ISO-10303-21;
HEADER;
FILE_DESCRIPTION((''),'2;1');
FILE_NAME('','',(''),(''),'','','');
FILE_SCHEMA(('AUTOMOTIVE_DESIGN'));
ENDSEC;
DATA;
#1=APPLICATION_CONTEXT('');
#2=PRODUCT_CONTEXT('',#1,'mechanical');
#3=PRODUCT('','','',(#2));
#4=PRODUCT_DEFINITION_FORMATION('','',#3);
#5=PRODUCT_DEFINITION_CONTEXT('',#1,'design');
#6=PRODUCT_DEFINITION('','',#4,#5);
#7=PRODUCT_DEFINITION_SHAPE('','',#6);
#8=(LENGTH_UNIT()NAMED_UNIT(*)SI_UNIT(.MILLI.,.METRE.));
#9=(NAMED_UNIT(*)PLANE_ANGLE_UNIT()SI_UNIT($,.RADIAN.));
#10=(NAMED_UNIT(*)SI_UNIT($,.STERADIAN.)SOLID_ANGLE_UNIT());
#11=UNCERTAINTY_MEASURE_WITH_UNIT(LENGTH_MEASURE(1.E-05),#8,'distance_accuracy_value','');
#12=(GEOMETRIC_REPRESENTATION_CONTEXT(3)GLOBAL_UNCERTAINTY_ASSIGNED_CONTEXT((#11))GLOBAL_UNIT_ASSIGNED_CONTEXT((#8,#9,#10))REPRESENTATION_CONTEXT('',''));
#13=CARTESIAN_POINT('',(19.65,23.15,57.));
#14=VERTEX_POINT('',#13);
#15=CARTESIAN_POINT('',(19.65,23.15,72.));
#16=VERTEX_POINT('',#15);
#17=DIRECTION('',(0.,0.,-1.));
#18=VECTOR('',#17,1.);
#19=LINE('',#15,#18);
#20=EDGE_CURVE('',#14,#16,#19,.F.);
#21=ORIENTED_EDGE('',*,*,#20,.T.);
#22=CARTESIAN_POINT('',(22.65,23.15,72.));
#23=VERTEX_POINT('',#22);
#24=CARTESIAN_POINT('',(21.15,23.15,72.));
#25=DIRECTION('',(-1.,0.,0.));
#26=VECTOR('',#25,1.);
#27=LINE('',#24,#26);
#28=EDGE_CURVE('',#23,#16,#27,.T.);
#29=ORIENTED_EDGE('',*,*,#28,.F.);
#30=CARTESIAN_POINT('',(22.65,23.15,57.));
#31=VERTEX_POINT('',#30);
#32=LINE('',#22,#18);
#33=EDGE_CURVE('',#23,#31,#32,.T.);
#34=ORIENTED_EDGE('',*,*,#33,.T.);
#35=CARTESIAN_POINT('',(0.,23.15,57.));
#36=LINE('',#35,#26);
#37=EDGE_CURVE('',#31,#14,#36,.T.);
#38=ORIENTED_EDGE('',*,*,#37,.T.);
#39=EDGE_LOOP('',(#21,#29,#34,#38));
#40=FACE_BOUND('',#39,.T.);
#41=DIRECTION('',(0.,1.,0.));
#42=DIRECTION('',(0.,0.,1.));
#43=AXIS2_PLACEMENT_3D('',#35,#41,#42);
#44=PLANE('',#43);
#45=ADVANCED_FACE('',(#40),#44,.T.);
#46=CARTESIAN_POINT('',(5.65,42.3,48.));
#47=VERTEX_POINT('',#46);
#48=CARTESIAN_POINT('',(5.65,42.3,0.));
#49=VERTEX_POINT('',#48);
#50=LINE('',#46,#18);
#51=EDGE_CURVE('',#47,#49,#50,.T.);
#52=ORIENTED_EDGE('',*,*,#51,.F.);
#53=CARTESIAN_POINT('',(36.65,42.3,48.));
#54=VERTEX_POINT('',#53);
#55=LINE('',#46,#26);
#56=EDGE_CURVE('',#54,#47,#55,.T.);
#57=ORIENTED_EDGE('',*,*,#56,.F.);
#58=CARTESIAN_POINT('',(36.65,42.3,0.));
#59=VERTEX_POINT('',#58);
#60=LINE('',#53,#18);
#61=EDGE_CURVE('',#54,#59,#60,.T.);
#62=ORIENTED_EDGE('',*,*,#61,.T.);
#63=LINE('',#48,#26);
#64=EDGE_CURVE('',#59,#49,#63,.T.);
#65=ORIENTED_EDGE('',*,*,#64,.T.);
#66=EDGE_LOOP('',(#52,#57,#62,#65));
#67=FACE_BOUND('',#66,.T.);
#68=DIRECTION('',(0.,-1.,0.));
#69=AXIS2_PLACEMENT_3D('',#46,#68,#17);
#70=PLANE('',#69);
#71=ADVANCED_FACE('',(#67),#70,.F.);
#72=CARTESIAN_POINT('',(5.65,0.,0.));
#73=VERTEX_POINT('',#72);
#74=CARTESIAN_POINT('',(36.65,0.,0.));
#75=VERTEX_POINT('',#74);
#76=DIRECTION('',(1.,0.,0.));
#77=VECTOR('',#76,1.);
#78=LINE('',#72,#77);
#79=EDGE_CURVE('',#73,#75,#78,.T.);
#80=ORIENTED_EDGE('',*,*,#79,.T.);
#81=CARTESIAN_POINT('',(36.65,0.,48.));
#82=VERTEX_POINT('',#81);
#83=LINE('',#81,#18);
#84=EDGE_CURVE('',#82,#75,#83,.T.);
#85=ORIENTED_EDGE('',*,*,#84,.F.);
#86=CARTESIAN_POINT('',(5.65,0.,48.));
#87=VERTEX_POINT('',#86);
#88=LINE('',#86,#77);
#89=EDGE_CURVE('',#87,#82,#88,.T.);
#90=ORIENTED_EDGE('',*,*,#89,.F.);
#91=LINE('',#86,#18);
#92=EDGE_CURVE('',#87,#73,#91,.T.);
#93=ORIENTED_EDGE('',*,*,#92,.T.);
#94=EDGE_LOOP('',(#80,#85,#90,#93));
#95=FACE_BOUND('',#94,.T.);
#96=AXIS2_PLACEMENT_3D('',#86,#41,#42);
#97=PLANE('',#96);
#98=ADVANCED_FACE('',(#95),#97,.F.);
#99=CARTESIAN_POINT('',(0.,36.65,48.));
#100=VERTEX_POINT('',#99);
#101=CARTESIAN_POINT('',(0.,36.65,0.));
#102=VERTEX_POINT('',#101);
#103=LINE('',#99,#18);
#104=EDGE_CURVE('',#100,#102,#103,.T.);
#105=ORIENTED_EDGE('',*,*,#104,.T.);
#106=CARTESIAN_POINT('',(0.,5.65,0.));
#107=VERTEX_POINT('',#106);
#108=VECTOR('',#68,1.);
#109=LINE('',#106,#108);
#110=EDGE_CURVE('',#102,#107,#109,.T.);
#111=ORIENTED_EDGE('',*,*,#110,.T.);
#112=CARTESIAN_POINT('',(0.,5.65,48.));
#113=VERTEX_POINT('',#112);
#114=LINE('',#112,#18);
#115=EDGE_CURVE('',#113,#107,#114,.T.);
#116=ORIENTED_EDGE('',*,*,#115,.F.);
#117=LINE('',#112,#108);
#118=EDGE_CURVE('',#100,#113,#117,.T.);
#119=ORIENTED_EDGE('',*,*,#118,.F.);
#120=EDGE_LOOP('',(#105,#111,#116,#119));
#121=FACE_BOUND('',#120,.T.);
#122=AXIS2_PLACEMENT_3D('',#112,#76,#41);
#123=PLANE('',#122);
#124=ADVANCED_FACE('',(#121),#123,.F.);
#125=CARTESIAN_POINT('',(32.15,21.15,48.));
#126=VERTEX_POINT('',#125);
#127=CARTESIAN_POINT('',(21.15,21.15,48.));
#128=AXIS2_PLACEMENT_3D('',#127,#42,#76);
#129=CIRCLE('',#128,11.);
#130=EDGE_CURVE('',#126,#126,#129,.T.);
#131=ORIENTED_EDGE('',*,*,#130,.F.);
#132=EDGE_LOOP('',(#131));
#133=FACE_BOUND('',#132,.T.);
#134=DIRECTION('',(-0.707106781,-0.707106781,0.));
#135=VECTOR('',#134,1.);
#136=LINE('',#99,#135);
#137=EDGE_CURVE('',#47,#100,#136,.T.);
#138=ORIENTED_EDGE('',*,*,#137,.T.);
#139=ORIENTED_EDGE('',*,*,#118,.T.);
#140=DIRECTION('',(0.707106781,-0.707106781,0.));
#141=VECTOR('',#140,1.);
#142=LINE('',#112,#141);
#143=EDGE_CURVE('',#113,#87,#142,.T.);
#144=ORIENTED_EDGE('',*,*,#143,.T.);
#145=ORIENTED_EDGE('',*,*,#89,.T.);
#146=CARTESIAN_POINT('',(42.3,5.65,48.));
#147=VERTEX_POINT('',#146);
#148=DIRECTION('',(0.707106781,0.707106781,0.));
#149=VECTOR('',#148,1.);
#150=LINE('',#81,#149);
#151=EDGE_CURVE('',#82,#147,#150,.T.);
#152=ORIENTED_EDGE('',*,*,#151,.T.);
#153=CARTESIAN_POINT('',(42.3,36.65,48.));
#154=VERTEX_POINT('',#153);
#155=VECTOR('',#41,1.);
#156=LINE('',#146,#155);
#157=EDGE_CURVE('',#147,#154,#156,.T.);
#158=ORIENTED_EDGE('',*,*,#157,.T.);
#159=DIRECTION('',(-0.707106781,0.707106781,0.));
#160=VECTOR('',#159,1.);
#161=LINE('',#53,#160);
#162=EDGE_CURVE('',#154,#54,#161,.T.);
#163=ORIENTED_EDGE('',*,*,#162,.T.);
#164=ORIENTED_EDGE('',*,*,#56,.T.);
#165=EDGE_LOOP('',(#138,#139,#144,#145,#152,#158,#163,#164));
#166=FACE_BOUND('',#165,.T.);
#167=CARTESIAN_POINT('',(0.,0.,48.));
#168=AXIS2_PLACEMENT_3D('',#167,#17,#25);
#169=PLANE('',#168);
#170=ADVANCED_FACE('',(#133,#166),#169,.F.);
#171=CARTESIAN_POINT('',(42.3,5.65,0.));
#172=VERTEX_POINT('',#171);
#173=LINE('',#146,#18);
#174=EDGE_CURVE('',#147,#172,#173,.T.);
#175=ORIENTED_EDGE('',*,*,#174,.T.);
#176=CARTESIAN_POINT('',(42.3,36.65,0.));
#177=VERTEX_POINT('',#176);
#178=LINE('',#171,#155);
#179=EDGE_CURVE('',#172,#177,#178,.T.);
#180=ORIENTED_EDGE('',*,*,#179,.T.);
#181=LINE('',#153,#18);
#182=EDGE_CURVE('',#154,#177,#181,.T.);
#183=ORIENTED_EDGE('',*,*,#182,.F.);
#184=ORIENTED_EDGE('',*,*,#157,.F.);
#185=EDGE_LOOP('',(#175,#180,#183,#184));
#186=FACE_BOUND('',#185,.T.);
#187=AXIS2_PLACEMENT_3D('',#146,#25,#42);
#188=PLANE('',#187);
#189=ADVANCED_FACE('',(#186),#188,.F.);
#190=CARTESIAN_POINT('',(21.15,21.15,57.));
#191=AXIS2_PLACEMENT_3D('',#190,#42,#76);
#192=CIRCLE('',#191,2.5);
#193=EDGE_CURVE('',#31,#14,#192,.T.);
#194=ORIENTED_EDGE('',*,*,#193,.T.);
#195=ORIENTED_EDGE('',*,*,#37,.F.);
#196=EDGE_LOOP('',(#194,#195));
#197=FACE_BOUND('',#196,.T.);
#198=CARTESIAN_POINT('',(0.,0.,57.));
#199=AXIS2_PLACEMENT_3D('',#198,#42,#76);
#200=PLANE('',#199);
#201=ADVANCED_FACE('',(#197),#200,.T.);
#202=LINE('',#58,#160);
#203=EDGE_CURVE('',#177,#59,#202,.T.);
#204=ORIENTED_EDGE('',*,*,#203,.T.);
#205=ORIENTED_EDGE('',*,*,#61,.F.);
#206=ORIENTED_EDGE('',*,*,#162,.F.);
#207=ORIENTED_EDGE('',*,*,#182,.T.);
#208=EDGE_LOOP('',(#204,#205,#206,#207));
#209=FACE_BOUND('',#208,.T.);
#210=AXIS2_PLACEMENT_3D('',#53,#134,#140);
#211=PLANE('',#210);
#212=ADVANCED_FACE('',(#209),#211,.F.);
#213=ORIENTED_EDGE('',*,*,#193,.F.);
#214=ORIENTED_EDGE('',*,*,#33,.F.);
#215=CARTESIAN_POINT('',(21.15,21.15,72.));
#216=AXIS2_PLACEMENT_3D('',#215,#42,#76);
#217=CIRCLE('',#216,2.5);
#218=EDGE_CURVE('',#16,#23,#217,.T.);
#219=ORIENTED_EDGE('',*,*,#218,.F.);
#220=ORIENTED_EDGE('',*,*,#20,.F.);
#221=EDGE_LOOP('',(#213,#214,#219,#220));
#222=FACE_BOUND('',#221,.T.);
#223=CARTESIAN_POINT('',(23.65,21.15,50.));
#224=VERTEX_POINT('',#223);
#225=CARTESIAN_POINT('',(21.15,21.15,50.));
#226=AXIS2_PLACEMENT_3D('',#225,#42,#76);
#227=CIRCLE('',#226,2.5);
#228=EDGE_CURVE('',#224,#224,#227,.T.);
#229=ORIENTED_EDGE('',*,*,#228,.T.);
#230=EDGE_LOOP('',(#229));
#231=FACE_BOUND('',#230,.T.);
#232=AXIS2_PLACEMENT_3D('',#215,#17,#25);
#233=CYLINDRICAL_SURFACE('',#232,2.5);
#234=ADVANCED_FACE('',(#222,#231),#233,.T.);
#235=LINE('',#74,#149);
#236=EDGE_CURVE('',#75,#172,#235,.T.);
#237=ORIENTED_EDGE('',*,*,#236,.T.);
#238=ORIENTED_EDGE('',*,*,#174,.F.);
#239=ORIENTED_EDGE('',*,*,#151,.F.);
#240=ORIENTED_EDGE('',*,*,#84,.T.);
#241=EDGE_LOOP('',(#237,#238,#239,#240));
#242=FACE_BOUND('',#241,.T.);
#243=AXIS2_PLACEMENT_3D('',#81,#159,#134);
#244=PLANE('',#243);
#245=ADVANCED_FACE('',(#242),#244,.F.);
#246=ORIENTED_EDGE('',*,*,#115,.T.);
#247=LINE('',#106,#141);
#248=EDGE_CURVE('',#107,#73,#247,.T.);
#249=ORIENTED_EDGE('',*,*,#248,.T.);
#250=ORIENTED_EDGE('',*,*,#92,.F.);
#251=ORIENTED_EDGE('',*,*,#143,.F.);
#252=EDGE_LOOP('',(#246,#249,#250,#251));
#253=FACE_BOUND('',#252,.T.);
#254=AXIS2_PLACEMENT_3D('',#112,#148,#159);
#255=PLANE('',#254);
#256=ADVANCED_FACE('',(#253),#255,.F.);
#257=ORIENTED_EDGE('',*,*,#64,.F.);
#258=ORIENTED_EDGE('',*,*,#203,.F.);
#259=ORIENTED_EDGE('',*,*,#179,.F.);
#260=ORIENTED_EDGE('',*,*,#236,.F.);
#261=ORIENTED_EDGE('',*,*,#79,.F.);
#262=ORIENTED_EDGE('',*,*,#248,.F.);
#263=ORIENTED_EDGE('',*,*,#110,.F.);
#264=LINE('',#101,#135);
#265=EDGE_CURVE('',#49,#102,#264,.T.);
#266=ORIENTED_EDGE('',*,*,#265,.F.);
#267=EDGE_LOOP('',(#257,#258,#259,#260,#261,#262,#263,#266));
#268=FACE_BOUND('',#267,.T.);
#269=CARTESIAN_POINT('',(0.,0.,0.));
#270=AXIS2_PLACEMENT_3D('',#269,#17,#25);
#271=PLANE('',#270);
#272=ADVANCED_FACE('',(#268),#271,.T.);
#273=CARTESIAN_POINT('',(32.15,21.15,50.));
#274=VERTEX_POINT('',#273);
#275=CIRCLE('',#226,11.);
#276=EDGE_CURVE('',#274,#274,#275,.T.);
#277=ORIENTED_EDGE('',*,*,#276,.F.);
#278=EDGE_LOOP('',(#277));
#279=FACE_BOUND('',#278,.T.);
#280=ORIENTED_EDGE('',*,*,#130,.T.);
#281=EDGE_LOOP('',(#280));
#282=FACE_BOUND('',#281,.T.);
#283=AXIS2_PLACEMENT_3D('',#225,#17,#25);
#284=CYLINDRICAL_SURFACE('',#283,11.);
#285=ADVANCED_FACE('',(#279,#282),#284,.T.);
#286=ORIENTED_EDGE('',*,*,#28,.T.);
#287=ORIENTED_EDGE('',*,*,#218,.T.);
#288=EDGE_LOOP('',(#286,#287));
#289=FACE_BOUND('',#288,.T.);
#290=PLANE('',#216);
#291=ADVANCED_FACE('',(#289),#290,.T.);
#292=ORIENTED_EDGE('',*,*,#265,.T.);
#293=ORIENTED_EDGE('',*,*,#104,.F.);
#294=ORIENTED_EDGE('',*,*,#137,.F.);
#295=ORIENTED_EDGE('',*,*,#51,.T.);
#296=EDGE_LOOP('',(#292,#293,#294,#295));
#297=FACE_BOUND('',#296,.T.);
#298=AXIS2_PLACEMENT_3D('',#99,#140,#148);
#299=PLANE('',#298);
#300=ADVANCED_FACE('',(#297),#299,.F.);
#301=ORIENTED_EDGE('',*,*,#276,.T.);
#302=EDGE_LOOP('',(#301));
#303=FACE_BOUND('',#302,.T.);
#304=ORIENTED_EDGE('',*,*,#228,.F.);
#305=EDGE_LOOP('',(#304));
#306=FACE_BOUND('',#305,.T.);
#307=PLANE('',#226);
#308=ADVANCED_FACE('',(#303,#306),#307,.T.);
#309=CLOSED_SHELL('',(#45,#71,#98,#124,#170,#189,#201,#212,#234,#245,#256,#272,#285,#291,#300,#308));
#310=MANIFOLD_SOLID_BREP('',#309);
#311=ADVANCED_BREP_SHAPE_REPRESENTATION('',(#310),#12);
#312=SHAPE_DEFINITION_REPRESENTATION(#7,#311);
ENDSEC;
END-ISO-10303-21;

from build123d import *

# Parameters (mm, degrees)
BOSS_EXTRUDE1_DEPTH = 48
SKETCH3_R           = 11
BOSS_EXTRUDE2_DEPTH = 2
SKETCH4_R           = 2.5
BOSS_EXTRUDE3_DEPTH = 22
CUT_EXTRUDE2_START  = -15
CUT_EXTRUDE2_DEPTH  = 15


with BuildPart() as part:
    # Sketch2 → Boss-Extrude1 (new body)
    with BuildSketch(Plane.XY):
        Polygon((5.65, 0), (36.65, 0), (42.3, 5.65), (42.3, 36.65), (36.65, 42.3), (5.65, 42.3), (0, 36.65), (0, 5.65), align=None)
    extrude(amount=BOSS_EXTRUDE1_DEPTH)

    # Sketch3 → Boss-Extrude2 (add)
    with BuildSketch(Plane.XY.offset(48)):
        with Locations((21.15, 21.15)):
            Circle(SKETCH3_R)
    extrude(amount=BOSS_EXTRUDE2_DEPTH)

    # Sketch4 → Boss-Extrude3 (add)
    with BuildSketch(Plane.XY.offset(50)):
        with Locations((21.15, 21.15)):
            Circle(SKETCH4_R)
    extrude(amount=BOSS_EXTRUDE3_DEPTH)

    # Sketch5 → Cut-Extrude2 (cut)
    with BuildSketch(Plane.XY.offset(72).offset(CUT_EXTRUDE2_START)):
        with BuildLine():
            ThreePointArc((19.65, 23.15), (20.359430585, 23.521708245), (21.15, 23.65))
            ThreePointArc((21.15, 23.65), (21.940569415, 23.521708245), (22.65, 23.15))
            Line((22.65, 23.15), (25.205995561, 23.15))
            Line((25.205995561, 23.15), (25.205995561, 25.058533995))
            Line((25.205995561, 25.058533995), (17.955034994, 25.058533995))
            Line((17.955034994, 25.058533995), (17.955034994, 23.15))
            Line((17.955034994, 23.15), (19.65, 23.15))
        make_face()
        with BuildLine():
            ThreePointArc((22.65, 23.15), (21.940569415, 23.521708245), (21.15, 23.65))
            Line((21.15, 23.65), (21.15, 23.15))
            Line((21.15, 23.15), (22.65, 23.15))
        make_face()
        with BuildLine():
            Line((21.15, 23.15), (21.15, 23.65))
            ThreePointArc((21.15, 23.65), (20.359430585, 23.521708245), (19.65, 23.15))
            Line((19.65, 23.15), (21.15, 23.15))
        make_face()
    extrude(amount=CUT_EXTRUDE2_DEPTH, mode=Mode.SUBTRACT)


solid = part.part
